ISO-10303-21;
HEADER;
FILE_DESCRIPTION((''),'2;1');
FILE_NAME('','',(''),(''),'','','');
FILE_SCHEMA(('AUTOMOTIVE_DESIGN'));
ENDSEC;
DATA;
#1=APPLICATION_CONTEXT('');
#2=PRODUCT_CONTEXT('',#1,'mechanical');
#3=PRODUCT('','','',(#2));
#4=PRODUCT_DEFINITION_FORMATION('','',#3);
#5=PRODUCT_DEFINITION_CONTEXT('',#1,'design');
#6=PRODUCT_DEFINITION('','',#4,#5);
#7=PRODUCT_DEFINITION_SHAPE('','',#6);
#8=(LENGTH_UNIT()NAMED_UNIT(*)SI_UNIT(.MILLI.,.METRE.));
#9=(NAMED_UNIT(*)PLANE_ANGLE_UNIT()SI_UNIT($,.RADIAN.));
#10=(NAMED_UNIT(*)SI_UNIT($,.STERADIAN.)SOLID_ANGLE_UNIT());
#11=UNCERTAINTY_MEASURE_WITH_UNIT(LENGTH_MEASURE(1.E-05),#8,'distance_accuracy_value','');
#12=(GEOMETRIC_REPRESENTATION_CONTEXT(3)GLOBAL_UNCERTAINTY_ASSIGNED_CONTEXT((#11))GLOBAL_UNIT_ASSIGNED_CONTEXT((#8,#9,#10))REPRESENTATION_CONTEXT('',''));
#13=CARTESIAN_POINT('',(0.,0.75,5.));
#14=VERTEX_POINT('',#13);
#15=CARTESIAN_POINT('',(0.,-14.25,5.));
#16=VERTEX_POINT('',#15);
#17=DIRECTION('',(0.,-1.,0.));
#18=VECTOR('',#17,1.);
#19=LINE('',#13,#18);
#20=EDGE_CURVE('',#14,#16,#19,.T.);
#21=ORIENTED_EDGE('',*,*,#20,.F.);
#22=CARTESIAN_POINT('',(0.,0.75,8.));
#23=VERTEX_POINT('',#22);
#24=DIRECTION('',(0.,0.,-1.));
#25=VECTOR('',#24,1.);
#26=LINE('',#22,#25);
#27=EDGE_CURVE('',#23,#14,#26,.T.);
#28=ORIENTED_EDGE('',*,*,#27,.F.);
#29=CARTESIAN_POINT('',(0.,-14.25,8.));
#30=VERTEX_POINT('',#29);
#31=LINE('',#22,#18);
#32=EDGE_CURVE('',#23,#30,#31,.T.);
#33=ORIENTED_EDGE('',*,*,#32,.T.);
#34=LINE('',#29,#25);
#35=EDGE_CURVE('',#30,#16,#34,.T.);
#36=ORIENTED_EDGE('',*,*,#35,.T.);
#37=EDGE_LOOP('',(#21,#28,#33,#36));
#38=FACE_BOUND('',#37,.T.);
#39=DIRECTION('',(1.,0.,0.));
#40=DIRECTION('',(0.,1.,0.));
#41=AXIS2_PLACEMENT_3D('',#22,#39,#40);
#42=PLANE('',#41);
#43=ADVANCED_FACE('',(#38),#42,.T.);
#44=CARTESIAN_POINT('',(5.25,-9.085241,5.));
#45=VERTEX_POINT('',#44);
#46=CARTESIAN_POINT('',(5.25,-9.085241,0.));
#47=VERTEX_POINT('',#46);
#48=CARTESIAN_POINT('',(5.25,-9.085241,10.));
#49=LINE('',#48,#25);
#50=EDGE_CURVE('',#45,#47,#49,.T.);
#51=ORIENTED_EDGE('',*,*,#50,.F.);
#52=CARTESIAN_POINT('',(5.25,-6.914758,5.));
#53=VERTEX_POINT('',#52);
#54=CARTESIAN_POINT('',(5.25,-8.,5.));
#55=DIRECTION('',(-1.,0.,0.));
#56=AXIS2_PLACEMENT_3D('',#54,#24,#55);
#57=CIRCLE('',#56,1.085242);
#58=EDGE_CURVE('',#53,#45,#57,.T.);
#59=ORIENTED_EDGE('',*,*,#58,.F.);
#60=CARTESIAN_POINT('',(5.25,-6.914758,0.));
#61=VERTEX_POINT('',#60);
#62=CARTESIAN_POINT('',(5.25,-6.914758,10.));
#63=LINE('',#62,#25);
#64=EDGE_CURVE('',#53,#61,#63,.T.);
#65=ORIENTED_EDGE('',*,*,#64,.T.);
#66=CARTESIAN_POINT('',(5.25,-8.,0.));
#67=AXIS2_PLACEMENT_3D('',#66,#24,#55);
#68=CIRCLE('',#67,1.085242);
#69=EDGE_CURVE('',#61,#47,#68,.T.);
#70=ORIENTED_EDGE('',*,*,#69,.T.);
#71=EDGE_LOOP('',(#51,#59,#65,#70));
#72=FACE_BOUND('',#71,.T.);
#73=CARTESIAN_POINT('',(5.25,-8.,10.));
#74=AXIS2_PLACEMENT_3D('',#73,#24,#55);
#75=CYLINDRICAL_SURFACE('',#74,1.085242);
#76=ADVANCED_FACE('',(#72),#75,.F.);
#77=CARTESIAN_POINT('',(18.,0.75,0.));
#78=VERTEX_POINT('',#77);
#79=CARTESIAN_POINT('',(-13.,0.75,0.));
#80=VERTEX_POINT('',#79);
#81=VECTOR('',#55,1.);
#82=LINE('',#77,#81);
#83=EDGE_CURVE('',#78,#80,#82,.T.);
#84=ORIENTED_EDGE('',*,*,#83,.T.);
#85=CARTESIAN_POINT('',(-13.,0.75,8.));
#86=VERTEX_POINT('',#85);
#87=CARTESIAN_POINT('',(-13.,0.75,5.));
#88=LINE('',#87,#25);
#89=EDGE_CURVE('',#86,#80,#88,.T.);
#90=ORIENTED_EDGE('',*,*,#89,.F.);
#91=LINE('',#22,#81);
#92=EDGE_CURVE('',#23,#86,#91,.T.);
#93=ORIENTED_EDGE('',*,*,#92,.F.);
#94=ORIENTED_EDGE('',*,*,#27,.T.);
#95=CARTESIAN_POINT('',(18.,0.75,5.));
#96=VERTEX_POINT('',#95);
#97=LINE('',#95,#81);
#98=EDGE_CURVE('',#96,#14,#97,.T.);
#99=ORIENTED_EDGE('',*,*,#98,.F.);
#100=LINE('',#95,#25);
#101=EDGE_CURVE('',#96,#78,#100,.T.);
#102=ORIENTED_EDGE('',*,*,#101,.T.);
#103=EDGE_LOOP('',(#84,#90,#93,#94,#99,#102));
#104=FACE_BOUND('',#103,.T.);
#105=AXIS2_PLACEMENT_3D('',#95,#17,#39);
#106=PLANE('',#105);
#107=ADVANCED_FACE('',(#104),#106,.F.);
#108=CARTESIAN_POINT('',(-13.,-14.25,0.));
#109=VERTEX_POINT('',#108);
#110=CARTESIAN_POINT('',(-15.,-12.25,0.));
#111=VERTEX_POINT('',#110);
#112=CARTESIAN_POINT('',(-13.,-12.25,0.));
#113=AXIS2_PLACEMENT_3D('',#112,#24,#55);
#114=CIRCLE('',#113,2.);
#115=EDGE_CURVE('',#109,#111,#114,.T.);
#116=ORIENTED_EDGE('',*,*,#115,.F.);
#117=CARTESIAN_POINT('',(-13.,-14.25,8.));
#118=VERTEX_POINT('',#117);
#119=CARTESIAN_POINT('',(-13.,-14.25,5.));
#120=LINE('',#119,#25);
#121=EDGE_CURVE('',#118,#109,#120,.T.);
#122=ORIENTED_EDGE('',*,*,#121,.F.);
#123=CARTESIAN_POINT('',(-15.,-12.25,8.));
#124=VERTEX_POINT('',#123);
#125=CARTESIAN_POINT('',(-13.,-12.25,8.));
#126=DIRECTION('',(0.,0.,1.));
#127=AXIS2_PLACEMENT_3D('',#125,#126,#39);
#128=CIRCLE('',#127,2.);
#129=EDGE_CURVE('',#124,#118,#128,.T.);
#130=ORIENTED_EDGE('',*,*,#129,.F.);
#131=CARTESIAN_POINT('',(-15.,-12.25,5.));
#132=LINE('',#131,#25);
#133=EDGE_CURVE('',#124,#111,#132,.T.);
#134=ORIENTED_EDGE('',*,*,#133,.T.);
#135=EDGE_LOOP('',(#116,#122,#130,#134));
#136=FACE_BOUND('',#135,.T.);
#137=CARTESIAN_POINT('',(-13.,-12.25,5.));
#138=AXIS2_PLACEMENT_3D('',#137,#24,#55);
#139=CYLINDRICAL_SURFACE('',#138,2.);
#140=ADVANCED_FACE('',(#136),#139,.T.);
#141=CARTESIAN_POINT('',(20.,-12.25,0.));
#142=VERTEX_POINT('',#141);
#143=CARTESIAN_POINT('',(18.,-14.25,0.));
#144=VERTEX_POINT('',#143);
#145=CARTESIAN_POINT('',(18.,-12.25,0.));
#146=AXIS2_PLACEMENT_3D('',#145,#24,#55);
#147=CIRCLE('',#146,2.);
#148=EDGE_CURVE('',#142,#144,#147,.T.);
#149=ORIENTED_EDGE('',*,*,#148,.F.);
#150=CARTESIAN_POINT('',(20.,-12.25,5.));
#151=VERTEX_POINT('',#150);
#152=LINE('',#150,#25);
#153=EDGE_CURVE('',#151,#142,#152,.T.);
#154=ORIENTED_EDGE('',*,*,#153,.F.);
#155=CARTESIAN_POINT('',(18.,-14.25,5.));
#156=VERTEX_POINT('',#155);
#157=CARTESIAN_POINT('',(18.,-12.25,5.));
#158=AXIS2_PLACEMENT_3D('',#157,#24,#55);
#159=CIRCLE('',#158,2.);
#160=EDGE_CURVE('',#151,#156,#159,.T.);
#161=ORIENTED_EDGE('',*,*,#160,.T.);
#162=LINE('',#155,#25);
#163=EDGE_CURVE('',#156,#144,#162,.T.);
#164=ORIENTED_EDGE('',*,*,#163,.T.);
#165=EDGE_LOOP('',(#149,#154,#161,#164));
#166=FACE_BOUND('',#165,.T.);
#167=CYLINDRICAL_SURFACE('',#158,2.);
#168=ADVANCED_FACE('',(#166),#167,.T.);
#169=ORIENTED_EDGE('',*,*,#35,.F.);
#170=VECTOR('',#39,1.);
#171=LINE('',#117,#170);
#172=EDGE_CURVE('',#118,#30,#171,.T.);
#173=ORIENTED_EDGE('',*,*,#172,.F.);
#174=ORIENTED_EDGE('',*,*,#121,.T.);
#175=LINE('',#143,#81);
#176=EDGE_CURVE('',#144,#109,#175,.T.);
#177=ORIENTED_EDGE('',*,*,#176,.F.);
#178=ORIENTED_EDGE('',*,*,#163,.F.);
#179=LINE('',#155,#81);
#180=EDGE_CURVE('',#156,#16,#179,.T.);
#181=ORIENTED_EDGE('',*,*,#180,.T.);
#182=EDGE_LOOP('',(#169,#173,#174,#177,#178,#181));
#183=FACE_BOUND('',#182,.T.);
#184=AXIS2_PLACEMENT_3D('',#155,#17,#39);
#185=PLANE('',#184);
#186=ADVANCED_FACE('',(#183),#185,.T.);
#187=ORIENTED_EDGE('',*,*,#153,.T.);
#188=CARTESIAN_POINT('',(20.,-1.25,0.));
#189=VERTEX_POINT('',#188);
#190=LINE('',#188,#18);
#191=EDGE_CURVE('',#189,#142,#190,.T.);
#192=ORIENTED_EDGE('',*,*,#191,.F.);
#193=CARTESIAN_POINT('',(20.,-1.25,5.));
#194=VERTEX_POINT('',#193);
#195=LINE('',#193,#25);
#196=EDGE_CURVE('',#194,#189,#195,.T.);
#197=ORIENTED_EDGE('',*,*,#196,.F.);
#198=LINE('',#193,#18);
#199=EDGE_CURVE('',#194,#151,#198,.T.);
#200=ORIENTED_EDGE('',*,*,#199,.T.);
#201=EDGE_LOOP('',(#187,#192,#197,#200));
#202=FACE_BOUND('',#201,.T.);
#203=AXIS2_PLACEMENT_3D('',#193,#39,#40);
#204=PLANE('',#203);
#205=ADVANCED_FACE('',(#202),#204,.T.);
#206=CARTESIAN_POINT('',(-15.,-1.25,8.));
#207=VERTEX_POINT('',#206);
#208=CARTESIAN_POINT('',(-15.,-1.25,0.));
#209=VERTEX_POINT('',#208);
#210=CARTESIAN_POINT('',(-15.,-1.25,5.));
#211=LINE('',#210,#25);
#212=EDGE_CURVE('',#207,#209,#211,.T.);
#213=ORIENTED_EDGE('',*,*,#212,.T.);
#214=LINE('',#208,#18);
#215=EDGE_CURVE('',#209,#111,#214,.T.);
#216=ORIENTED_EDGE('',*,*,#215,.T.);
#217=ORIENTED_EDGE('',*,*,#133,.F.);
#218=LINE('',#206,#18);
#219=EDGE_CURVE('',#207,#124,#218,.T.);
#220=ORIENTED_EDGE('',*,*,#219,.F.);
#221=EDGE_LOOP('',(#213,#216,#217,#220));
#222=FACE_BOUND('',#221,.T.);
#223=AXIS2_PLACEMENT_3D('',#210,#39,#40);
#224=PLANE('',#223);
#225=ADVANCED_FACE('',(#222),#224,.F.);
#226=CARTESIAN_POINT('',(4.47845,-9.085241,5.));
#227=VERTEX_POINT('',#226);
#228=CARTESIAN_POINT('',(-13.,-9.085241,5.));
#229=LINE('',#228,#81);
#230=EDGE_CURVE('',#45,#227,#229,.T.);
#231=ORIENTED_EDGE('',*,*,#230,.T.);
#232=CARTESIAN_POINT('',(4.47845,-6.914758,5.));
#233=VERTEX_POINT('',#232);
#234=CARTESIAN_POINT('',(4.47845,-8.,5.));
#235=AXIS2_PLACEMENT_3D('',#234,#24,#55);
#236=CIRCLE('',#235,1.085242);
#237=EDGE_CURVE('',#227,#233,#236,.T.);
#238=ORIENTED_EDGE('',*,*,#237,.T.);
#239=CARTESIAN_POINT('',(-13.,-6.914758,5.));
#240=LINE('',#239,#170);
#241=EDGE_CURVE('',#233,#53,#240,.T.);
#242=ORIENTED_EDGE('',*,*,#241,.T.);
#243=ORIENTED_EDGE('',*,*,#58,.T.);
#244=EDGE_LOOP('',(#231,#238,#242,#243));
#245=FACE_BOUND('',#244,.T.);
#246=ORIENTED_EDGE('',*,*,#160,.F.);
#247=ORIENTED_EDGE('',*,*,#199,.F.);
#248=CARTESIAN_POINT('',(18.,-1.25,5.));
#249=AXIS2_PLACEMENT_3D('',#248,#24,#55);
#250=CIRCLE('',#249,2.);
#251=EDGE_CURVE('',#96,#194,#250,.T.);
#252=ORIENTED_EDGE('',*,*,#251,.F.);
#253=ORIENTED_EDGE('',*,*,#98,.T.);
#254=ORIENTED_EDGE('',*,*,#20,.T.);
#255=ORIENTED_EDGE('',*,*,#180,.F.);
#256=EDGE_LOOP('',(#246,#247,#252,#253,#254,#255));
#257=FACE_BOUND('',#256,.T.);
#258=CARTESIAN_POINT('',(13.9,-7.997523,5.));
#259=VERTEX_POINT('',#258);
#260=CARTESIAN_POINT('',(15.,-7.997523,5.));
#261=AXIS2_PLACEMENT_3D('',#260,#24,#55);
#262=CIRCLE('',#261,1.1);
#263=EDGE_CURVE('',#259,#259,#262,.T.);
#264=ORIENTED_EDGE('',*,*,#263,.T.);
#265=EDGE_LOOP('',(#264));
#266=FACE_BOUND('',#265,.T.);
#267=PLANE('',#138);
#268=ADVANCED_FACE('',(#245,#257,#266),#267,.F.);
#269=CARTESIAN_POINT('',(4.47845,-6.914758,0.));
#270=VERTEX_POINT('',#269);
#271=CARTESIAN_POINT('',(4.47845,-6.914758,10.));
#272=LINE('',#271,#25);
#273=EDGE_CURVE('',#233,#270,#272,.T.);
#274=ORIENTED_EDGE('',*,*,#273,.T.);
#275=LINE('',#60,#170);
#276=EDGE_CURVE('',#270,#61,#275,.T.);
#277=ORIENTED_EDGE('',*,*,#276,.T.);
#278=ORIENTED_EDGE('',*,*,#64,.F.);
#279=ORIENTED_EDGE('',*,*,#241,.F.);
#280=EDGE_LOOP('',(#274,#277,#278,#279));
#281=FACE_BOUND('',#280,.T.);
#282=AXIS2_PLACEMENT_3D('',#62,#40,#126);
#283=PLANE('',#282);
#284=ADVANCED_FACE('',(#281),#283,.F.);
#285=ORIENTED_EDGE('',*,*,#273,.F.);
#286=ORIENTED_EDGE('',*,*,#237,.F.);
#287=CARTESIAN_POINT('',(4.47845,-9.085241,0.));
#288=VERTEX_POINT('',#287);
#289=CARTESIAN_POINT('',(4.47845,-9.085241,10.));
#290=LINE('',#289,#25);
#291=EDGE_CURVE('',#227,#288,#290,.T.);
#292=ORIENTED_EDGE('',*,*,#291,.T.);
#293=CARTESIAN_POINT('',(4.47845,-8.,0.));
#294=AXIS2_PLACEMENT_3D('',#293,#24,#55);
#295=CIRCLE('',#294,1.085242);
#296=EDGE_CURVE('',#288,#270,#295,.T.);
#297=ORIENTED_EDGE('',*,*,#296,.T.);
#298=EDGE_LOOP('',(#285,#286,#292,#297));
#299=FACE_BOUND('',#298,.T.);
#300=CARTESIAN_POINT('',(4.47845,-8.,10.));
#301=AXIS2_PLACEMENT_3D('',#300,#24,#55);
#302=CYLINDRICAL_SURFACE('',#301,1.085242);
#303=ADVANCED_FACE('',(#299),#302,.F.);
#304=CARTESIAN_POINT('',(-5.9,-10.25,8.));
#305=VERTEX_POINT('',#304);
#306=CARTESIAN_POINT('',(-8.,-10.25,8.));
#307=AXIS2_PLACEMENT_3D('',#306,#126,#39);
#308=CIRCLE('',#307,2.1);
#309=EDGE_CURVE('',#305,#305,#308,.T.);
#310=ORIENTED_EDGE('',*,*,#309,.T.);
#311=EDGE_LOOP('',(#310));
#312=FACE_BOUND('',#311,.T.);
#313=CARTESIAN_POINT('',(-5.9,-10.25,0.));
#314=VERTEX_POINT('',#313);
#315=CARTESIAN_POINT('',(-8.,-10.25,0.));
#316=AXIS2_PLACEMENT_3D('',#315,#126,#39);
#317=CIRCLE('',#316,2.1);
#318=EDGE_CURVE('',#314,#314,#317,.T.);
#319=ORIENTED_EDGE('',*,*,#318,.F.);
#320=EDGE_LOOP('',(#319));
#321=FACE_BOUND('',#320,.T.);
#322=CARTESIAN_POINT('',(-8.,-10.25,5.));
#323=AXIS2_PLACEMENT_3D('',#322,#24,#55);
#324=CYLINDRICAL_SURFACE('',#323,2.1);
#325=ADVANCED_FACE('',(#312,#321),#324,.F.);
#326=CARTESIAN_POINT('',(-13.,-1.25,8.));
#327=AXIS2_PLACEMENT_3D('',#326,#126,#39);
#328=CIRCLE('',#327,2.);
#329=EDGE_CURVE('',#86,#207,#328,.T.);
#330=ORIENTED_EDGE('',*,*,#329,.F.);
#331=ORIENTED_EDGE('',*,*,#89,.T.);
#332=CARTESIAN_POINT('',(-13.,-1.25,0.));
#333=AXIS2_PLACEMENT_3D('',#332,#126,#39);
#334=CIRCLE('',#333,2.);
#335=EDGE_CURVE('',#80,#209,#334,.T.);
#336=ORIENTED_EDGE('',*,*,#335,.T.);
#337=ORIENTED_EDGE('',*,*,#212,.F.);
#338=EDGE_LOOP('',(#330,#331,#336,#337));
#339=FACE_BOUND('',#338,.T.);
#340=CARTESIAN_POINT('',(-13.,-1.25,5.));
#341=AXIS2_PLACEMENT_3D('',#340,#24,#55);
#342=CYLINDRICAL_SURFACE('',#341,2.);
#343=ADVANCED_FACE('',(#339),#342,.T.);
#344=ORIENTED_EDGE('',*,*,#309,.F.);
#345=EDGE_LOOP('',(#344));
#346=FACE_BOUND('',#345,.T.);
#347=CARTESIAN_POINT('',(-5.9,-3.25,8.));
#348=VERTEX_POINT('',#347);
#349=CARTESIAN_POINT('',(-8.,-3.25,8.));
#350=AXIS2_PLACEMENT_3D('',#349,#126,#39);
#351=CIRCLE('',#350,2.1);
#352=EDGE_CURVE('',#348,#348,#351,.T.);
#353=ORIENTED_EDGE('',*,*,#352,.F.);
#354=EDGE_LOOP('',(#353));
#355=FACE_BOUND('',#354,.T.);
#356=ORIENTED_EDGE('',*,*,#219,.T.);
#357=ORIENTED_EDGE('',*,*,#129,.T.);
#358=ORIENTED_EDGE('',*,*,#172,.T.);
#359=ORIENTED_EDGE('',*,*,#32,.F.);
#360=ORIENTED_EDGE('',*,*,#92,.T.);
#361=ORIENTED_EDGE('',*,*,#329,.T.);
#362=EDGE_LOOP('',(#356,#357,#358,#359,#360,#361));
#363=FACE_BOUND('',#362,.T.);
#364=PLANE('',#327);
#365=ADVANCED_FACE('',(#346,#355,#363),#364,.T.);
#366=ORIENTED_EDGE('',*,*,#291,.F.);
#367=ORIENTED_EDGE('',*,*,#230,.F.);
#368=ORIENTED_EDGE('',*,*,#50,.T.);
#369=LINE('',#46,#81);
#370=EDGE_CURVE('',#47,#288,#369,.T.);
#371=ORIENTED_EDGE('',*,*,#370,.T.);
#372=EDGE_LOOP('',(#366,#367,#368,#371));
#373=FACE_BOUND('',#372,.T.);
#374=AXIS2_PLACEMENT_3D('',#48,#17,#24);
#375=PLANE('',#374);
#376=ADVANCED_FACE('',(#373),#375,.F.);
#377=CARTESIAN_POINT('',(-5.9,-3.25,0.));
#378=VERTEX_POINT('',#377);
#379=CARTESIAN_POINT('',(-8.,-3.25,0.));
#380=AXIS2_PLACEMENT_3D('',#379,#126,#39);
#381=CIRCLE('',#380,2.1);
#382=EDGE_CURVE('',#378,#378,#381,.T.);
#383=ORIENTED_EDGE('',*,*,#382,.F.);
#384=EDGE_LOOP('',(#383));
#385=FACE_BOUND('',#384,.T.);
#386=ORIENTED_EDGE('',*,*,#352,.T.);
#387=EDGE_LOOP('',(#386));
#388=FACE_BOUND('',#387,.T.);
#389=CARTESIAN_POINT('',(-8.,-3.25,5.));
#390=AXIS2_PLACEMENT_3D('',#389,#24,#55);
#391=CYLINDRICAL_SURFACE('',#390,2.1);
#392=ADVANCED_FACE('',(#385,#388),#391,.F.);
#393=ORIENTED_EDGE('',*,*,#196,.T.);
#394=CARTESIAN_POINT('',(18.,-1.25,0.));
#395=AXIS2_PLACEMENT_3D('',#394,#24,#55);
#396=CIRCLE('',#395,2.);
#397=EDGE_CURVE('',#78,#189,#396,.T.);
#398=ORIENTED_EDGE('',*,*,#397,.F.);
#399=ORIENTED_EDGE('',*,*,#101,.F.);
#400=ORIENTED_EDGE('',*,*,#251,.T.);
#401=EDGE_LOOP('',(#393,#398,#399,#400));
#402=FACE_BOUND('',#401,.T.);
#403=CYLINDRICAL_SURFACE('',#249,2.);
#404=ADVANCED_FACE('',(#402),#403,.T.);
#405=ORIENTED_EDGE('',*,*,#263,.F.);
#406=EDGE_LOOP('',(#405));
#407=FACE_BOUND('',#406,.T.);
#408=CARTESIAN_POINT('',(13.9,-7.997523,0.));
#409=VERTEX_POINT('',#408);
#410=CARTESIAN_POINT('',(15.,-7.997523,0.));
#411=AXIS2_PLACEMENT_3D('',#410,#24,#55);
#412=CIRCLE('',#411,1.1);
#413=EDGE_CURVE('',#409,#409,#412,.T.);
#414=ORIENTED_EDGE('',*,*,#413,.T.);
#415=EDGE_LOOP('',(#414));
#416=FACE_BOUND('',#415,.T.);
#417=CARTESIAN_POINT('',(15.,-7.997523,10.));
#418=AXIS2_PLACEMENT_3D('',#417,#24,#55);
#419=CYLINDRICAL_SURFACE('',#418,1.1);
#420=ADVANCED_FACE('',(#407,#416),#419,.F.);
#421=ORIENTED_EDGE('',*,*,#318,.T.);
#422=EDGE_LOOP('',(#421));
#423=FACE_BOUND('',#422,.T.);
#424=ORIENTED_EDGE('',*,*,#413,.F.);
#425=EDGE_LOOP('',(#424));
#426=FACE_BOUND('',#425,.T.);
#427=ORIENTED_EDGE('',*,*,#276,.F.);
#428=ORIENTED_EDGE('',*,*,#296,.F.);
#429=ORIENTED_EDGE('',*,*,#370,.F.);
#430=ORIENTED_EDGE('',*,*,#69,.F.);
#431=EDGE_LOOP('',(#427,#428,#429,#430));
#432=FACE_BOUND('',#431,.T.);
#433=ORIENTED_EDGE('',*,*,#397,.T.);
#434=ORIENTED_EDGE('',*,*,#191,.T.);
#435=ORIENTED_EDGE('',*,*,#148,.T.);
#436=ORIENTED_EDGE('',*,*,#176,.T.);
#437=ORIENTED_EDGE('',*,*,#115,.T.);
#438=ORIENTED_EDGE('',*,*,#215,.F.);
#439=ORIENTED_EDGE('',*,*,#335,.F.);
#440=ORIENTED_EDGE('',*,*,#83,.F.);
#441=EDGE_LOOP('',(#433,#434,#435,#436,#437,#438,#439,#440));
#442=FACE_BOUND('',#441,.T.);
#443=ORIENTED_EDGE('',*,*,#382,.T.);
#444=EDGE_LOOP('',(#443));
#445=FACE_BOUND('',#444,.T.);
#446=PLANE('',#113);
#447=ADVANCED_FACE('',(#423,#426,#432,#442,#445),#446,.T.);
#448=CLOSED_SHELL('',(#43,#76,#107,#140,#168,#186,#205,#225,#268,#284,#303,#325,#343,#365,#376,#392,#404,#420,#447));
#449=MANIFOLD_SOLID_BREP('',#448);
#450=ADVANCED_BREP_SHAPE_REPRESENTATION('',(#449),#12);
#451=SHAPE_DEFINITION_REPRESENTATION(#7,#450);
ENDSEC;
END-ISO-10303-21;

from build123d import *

# Parameters (mm, degrees)
ESQUISSE2_R             = 2.1
BOSS_EXTRU_1_DEPTH      = 5
ESQUISSE4_R             = 2.1
BOSS_EXTRU_2_DEPTH      = 3
ESQUISSE6_R             = 1.1
ENL_V_MAT_EXTRU_1_DEPTH = 10


with BuildPart() as part:
    # Esquisse2 → Boss.-Extru.1 (new body)
    with BuildSketch(Plane.XY):
        with BuildLine():
            Line((18, 0.75), (-13, 0.75))
            ThreePointArc((-13, 0.75), (-14.414213562, 0.164213562), (-15, -1.25))
            Line((-15, -1.25), (-15, -12.25))
            ThreePointArc((-15, -12.25), (-14.414213562, -13.664213562), (-13, -14.25))
            Line((-13, -14.25), (18, -14.25))
            ThreePointArc((18, -14.25), (19.414213562, -13.664213562), (20, -12.25))
            Line((20, -12.25), (20, -1.25))
            ThreePointArc((20, -1.25), (19.414213562, 0.164213562), (18, 0.75))
        make_face()
        with Locations((-8, -10.25)):
            Circle(ESQUISSE2_R, mode=Mode.SUBTRACT)
        with Locations((-8, -3.25)):
            Circle(ESQUISSE2_R, mode=Mode.SUBTRACT)
    extrude(amount=BOSS_EXTRU_1_DEPTH)

    # Esquisse4 → Boss.-Extru.2 (add)
    with BuildSketch(Plane.XY.offset(5)):
        with BuildLine():
            Line((0, 0.75), (0, -14.25))
            Line((0, -14.25), (-13, -14.25))
            ThreePointArc((-13, -14.25), (-14.414213562, -13.664213562), (-15, -12.25))
            Line((-15, -12.25), (-15, -1.25))
            ThreePointArc((-15, -1.25), (-14.414213562, 0.164213562), (-13, 0.75))
            Line((-13, 0.75), (0, 0.75))
        make_face()
        with Locations((-8, -10.25)):
            Circle(ESQUISSE4_R, mode=Mode.SUBTRACT)
        with Locations((-8, -3.25)):
            Circle(ESQUISSE4_R, mode=Mode.SUBTRACT)
    extrude(amount=BOSS_EXTRU_2_DEPTH)

    # Esquisse6 → Enlèv. mat.-Extru.1 (cut)
    with BuildSketch(Plane(origin=(0, 0, 0), x_dir=(-1, 0, 0), z_dir=(0, 0, -1))):
        with Locations((-15, -7.997523441)):
            Circle(ESQUISSE6_R)
        with BuildLine():
            Line((-5.249999883, -6.914758131), (-4.478449657, -6.914758131))
            ThreePointArc((-4.478449657, -6.914758131), (-3.393207978, -7.99999981), (-4.478449657, -9.085241489))
            Line((-4.478449657, -9.085241489), (-5.249999883, -9.085241489))
            ThreePointArc((-5.249999883, -9.085241489), (-6.335241562, -7.99999981), (-5.249999883, -6.914758131))
        make_face()
    extrude(amount=-ENL_V_MAT_EXTRU_1_DEPTH, mode=Mode.SUBTRACT)


solid = part.part
